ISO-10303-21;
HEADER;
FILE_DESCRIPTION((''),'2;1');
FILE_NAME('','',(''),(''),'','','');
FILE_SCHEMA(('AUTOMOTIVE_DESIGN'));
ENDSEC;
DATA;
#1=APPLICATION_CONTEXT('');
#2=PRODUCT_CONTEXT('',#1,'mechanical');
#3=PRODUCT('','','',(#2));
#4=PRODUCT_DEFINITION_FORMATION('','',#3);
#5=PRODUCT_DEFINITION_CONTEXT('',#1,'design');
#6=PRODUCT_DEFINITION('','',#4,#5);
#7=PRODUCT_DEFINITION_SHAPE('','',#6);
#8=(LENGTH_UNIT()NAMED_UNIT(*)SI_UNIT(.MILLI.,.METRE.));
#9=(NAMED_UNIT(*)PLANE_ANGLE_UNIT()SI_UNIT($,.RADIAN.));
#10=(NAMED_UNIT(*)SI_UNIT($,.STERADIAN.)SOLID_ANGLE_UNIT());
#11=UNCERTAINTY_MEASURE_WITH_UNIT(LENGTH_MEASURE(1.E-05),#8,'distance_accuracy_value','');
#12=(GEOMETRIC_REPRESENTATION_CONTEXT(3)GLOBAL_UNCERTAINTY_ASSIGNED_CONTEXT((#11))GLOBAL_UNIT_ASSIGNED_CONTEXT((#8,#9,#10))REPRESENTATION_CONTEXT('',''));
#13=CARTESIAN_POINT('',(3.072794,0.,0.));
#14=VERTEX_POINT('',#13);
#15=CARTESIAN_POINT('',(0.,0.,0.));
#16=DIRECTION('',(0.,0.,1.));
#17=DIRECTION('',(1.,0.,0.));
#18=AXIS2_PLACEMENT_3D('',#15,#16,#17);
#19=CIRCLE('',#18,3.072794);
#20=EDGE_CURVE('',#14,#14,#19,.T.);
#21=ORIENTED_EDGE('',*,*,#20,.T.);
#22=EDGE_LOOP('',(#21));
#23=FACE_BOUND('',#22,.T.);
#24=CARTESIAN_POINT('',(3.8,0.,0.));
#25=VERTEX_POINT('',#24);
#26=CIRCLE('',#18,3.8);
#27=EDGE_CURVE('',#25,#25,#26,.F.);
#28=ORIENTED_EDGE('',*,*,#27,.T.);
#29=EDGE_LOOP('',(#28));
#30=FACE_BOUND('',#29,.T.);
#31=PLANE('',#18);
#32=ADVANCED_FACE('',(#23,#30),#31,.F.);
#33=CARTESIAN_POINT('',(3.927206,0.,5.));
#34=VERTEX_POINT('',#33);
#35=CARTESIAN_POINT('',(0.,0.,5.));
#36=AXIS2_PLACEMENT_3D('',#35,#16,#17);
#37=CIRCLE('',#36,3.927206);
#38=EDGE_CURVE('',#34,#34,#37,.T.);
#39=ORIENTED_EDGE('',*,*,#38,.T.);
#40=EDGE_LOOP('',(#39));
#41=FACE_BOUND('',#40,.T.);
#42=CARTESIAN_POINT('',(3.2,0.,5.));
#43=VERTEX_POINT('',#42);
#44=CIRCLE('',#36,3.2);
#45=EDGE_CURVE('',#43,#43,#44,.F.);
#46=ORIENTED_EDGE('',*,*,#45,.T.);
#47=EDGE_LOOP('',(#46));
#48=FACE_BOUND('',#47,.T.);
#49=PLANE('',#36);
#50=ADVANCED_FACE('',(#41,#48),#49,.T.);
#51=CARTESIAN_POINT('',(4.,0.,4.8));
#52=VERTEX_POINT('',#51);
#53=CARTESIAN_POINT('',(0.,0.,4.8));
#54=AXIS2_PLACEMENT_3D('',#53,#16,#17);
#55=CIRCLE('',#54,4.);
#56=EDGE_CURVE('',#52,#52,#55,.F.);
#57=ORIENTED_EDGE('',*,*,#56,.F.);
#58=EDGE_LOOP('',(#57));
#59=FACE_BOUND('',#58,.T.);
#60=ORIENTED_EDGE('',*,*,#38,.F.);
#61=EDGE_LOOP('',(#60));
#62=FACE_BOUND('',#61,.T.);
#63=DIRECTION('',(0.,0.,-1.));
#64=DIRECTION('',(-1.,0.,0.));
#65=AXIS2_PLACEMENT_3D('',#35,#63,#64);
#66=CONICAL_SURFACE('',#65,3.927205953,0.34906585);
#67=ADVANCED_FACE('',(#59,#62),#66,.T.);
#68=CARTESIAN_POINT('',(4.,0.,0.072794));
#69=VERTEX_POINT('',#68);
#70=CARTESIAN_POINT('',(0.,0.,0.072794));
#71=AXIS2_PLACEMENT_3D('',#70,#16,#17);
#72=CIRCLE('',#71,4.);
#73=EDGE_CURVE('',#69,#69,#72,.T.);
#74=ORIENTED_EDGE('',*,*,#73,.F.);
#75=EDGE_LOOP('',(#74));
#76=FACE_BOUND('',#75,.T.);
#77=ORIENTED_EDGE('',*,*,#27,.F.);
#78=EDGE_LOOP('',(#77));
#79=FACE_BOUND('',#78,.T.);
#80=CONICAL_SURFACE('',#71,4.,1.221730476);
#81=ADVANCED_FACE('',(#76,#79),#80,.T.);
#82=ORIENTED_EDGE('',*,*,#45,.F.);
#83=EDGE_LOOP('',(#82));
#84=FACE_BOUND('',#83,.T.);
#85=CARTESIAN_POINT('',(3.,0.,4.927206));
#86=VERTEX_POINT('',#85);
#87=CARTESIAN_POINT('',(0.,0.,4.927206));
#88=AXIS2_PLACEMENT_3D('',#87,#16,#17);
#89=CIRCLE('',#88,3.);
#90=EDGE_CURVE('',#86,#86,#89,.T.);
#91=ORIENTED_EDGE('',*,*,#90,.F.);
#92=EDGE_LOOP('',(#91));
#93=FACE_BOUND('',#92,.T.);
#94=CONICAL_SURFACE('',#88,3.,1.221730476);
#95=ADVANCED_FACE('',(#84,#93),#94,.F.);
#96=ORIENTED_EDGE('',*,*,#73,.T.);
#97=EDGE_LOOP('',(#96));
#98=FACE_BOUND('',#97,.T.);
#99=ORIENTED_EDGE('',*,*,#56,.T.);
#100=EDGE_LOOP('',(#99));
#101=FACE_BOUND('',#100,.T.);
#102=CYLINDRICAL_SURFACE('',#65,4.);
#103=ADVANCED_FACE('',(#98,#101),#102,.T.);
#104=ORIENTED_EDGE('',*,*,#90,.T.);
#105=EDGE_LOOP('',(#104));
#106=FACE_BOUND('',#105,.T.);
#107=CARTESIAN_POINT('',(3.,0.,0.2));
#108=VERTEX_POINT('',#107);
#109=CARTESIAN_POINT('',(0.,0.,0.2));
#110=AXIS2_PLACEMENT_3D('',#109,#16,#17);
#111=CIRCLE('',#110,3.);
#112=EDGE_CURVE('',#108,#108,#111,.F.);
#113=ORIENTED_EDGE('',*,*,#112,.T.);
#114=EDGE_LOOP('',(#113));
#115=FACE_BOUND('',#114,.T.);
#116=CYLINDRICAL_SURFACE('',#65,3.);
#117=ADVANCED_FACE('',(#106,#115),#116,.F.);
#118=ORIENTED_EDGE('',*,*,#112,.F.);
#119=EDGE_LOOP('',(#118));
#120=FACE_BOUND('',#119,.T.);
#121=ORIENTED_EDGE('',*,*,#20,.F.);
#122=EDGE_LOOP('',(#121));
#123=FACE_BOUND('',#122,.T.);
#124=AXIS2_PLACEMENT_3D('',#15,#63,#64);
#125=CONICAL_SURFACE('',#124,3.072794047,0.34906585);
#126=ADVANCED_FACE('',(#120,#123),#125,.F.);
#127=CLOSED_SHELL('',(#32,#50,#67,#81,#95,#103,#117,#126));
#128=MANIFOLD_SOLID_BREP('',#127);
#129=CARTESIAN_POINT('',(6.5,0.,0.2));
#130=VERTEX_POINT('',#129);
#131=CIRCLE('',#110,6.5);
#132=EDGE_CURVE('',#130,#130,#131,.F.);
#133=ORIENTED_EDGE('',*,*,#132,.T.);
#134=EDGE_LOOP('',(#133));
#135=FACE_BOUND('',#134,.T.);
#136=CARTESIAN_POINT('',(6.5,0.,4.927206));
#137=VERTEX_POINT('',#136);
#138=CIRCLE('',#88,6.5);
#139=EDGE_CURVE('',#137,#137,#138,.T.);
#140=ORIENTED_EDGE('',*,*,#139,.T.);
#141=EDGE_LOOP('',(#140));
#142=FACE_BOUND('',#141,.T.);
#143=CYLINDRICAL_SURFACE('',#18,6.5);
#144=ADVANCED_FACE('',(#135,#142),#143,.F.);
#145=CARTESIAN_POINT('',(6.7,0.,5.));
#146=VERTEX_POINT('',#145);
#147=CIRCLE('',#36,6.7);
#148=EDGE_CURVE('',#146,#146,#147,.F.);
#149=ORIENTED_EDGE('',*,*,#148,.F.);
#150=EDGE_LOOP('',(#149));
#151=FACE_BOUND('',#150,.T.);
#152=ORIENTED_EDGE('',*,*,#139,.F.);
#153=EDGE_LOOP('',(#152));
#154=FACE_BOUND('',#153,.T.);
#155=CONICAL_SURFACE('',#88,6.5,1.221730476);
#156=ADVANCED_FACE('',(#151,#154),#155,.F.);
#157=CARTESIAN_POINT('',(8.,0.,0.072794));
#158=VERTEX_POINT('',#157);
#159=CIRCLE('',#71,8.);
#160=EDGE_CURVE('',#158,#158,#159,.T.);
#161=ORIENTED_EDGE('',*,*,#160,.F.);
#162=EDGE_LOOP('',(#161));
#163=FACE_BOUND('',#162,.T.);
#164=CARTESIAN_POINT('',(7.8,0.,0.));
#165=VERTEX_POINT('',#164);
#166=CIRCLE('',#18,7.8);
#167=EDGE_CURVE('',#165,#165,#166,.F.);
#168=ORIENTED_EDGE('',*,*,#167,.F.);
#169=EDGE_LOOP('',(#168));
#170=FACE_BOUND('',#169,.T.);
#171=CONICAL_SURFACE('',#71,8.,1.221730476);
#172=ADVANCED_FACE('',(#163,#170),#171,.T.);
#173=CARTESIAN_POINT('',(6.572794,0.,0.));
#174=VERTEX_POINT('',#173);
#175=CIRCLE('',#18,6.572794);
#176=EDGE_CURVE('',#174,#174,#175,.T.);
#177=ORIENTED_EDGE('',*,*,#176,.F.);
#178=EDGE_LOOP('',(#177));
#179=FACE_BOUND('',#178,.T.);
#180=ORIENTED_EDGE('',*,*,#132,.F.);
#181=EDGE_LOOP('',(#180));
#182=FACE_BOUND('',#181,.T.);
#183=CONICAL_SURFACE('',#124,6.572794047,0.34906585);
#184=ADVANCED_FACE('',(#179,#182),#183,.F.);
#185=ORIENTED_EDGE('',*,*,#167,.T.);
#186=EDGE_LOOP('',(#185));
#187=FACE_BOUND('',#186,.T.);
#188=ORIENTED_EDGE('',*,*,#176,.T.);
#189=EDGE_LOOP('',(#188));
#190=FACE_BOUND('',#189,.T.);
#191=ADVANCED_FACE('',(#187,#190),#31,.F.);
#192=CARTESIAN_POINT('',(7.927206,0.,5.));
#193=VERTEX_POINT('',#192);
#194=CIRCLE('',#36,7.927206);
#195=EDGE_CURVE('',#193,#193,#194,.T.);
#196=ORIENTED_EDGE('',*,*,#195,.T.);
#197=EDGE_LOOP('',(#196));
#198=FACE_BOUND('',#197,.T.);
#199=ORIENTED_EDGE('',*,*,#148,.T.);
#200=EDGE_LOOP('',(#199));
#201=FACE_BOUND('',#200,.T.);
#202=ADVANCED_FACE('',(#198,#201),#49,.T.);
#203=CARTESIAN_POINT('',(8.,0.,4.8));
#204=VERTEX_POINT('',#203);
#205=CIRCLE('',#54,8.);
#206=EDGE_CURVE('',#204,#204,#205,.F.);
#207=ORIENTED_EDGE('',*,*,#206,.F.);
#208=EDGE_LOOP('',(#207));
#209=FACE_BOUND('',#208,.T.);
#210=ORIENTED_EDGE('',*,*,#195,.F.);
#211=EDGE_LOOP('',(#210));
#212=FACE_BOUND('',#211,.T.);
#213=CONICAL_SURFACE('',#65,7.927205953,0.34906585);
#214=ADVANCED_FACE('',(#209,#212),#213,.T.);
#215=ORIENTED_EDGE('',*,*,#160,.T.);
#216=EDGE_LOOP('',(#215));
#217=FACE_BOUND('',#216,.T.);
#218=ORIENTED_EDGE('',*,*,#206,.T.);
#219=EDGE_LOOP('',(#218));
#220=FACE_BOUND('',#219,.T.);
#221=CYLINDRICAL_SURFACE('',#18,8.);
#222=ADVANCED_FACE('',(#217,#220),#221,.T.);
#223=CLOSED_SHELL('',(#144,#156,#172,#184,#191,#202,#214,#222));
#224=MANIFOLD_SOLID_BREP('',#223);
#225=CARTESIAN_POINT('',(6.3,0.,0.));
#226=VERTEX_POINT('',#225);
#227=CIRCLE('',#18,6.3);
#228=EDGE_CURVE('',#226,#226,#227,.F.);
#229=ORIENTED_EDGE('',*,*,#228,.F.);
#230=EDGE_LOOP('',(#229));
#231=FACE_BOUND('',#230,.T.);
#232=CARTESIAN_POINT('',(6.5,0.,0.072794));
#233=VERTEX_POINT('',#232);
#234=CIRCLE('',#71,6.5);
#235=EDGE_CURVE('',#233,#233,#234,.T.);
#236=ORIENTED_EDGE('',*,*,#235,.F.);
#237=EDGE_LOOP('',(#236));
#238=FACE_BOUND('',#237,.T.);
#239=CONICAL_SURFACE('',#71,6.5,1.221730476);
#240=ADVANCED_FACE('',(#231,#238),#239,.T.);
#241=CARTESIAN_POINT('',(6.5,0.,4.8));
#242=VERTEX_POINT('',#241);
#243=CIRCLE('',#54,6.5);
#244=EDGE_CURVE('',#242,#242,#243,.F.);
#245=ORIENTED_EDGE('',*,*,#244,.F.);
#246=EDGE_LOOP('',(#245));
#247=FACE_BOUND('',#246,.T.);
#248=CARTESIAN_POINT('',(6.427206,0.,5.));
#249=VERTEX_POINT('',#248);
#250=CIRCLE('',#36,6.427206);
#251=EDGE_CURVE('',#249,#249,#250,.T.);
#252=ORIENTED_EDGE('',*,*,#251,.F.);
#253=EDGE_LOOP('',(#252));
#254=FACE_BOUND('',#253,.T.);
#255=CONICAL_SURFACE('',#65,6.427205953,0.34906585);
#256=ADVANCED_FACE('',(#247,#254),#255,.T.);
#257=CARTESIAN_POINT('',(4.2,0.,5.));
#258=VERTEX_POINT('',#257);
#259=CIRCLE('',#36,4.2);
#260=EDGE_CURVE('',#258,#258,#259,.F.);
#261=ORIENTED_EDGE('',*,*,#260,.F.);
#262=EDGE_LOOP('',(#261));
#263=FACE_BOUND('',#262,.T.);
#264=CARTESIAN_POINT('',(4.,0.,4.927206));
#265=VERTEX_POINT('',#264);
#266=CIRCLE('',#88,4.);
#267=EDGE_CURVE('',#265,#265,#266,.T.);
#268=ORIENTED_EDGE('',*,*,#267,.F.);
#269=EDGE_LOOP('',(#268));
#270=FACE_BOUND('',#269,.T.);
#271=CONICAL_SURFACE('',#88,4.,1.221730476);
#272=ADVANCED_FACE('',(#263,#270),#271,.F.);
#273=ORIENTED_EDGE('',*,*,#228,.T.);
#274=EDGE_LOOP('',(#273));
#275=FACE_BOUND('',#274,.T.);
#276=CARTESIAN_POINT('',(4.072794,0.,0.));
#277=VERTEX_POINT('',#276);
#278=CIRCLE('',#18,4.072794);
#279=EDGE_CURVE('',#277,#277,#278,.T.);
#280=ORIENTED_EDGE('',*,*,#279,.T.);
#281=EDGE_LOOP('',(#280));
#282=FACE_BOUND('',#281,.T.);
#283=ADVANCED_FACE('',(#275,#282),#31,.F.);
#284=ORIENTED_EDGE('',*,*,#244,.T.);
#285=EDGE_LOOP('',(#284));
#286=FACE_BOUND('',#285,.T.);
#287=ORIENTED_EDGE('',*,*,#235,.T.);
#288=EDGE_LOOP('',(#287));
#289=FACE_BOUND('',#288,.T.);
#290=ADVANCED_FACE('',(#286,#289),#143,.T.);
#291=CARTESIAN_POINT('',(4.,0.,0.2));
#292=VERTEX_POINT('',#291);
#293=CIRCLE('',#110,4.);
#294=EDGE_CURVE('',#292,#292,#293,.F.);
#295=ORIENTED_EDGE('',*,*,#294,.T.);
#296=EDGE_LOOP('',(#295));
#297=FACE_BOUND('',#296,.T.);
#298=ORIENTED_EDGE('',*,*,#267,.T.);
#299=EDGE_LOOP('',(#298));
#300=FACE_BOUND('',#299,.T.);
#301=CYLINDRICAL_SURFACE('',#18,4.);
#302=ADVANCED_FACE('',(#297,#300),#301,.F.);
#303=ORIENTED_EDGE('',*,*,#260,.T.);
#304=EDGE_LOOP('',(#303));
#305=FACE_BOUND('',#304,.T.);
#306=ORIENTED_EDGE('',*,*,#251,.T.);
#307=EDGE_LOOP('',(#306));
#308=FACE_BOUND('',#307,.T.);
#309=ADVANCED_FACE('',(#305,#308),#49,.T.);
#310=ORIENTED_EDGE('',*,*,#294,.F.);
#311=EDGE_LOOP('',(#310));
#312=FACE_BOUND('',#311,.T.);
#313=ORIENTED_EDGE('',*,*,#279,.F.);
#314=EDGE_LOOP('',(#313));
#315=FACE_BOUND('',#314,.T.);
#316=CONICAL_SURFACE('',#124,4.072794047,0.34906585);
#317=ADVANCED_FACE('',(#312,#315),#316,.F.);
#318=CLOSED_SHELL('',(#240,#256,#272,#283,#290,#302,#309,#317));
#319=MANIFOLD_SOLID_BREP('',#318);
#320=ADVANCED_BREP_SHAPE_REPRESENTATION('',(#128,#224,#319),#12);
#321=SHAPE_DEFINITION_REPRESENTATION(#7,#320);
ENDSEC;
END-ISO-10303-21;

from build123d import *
from OCP.BRepFilletAPI import BRepFilletAPI_MakeChamfer

# Parameters (mm, degrees)
SKETCH1_R           = 4
SKETCH1_R_2         = 3
BOSS_EXTRUDE1_DEPTH = 5
SKETCH2_R           = 6.5
SKETCH2_R_2         = 4
BOSS_EXTRUDE2_DEPTH = 5
SKETCH3_R           = 8
SKETCH3_R_2         = 6.5
BOSS_EXTRUDE3_DEPTH = 5
CHAMFER1_SIZE       = 0.2
CHAMFER1_SIZE2      = 0.072794047
CHAMFER2_SIZE       = 0.2
CHAMFER2_SIZE2      = 0.072794047
CHAMFER3_SIZE       = 0.2
CHAMFER3_SIZE2      = 0.072794047


with BuildPart() as part:
    # Sketch1 → Boss-Extrude1 (new body)
    with BuildSketch(Plane.XY):
        Circle(SKETCH1_R)
        Circle(SKETCH1_R_2, mode=Mode.SUBTRACT)
    extrude(amount=BOSS_EXTRUDE1_DEPTH)

    # Chamfer1: one chamfer whose edges measure the first distance from different faces: ONE call of the kernel's chamfer builder (chamfer() names one face for all edges)
    chamfer1_edges_1 = [part.edges().sort_by_distance(p)[0] for p in [
        (-4, 0, 0),
    ]]
    chamfer1_side_1 = [part.faces().sort_by_distance(p)[0] for p in [
        (-3.886862915, 0, 0),
    ]]
    chamfer1_edges_2 = [part.edges().sort_by_distance(p)[0] for p in [
        (-4, 0, 5),
    ]]
    chamfer1_side_2 = [part.faces().sort_by_distance(p)[0] for p in [
        (-4, 0, 2.5),
    ]]
    chamfer1_edges_3 = [part.edges().sort_by_distance(p)[0] for p in [
        (-3, 0, 0),
    ]]
    chamfer1_side_3 = [part.faces().sort_by_distance(p)[0] for p in [
        (-3, 0, 2.5),
    ]]
    chamfer1_edges_4 = [part.edges().sort_by_distance(p)[0] for p in [
        (-3, 0, 5),
    ]]
    chamfer1_side_4 = [part.faces().sort_by_distance(p)[0] for p in [
        (-3.886862915, 0, 5),
    ]]
    chamfer1 = BRepFilletAPI_MakeChamfer(part.part.solid().wrapped)
    for e in chamfer1_edges_1:
        chamfer1.Add(CHAMFER1_SIZE, CHAMFER1_SIZE2, e.wrapped, chamfer1_side_1[0].wrapped)  # the first distance lies on this face
    for e in chamfer1_edges_2:
        chamfer1.Add(CHAMFER1_SIZE, CHAMFER1_SIZE2, e.wrapped, chamfer1_side_2[0].wrapped)  # the first distance lies on this face
    for e in chamfer1_edges_3:
        chamfer1.Add(CHAMFER1_SIZE, CHAMFER1_SIZE2, e.wrapped, chamfer1_side_3[0].wrapped)  # the first distance lies on this face
    for e in chamfer1_edges_4:
        chamfer1.Add(CHAMFER1_SIZE, CHAMFER1_SIZE2, e.wrapped, chamfer1_side_4[0].wrapped)  # the first distance lies on this face
    add(Compound.cast(chamfer1.Shape()), mode=Mode.REPLACE)


with BuildPart() as body_2:
    # Sketch2 → Boss-Extrude2 (new body)
    with BuildSketch(Plane.XY.offset(5)):
        Circle(SKETCH2_R)
        Circle(SKETCH2_R_2, mode=Mode.SUBTRACT)
    extrude(amount=-BOSS_EXTRUDE2_DEPTH)

    # Chamfer2: one chamfer whose edges measure the first distance from different faces: ONE call of the kernel's chamfer builder (chamfer() names one face for all edges)
    chamfer2_edges_1 = [body_2.edges().sort_by_distance(p)[0] for p in [
        (-6.5, 0, 5),
    ]]
    chamfer2_side_1 = [body_2.faces().sort_by_distance(p)[0] for p in [
        (-6.5, 0, 2.5),
    ]]
    chamfer2_edges_2 = [body_2.edges().sort_by_distance(p)[0] for p in [
        (-6.5, 0, 0),
    ]]
    chamfer2_side_2 = [body_2.faces().sort_by_distance(p)[0] for p in [
        (-6.316152237, 0, 0),
    ]]
    chamfer2_edges_3 = [body_2.edges().sort_by_distance(p)[0] for p in [
        (-4, 0, 0),
    ]]
    chamfer2_side_3 = [body_2.faces().sort_by_distance(p)[0] for p in [
        (-4, 0, 2.5),
    ]]
    chamfer2_edges_4 = [body_2.edges().sort_by_distance(p)[0] for p in [
        (-4, 0, 5),
    ]]
    chamfer2_side_4 = [body_2.faces().sort_by_distance(p)[0] for p in [
        (-6.316152237, 0, 5),
    ]]
    chamfer2 = BRepFilletAPI_MakeChamfer(body_2.part.solid().wrapped)
    for e in chamfer2_edges_1:
        chamfer2.Add(CHAMFER2_SIZE, CHAMFER2_SIZE2, e.wrapped, chamfer2_side_1[0].wrapped)  # the first distance lies on this face
    for e in chamfer2_edges_2:
        chamfer2.Add(CHAMFER2_SIZE, CHAMFER2_SIZE2, e.wrapped, chamfer2_side_2[0].wrapped)  # the first distance lies on this face
    for e in chamfer2_edges_3:
        chamfer2.Add(CHAMFER2_SIZE, CHAMFER2_SIZE2, e.wrapped, chamfer2_side_3[0].wrapped)  # the first distance lies on this face
    for e in chamfer2_edges_4:
        chamfer2.Add(CHAMFER2_SIZE, CHAMFER2_SIZE2, e.wrapped, chamfer2_side_4[0].wrapped)  # the first distance lies on this face
    add(Compound.cast(chamfer2.Shape()), mode=Mode.REPLACE)


with BuildPart() as body_3:
    # Sketch3 → Boss-Extrude3 (new body)
    with BuildSketch(Plane.XY.offset(5)):
        Circle(SKETCH3_R)
        Circle(SKETCH3_R_2, mode=Mode.SUBTRACT)
    extrude(amount=-BOSS_EXTRUDE3_DEPTH)

    # Chamfer3: one chamfer whose edges measure the first distance from different faces: ONE call of the kernel's chamfer builder (chamfer() names one face for all edges)
    chamfer3_edges_1 = [body_3.edges().sort_by_distance(p)[0] for p in [
        (-8, 0, 5),
    ]]
    chamfer3_side_1 = [body_3.faces().sort_by_distance(p)[0] for p in [
        (-8, 0, 2.5),
    ]]
    chamfer3_edges_2 = [body_3.edges().sort_by_distance(p)[0] for p in [
        (-8, 0, 0),
    ]]
    chamfer3_side_2 = [body_3.faces().sort_by_distance(p)[0] for p in [
        (-7.77372583, 0, 0),
    ]]
    chamfer3_edges_3 = [body_3.edges().sort_by_distance(p)[0] for p in [
        (-6.5, 0, 0),
    ]]
    chamfer3_side_3 = [body_3.faces().sort_by_distance(p)[0] for p in [
        (-6.5, 0, 2.5),
    ]]
    chamfer3_edges_4 = [body_3.edges().sort_by_distance(p)[0] for p in [
        (-6.5, 0, 5),
    ]]
    chamfer3_side_4 = [body_3.faces().sort_by_distance(p)[0] for p in [
        (-7.77372583, 0, 5),
    ]]
    chamfer3 = BRepFilletAPI_MakeChamfer(body_3.part.solid().wrapped)
    for e in chamfer3_edges_1:
        chamfer3.Add(CHAMFER3_SIZE, CHAMFER3_SIZE2, e.wrapped, chamfer3_side_1[0].wrapped)  # the first distance lies on this face
    for e in chamfer3_edges_2:
        chamfer3.Add(CHAMFER3_SIZE, CHAMFER3_SIZE2, e.wrapped, chamfer3_side_2[0].wrapped)  # the first distance lies on this face
    for e in chamfer3_edges_3:
        chamfer3.Add(CHAMFER3_SIZE, CHAMFER3_SIZE2, e.wrapped, chamfer3_side_3[0].wrapped)  # the first distance lies on this face
    for e in chamfer3_edges_4:
        chamfer3.Add(CHAMFER3_SIZE, CHAMFER3_SIZE2, e.wrapped, chamfer3_side_4[0].wrapped)  # the first distance lies on this face
    add(Compound.cast(chamfer3.Shape()), mode=Mode.REPLACE)


solid = Compound([part.part, body_2.part, body_3.part])
